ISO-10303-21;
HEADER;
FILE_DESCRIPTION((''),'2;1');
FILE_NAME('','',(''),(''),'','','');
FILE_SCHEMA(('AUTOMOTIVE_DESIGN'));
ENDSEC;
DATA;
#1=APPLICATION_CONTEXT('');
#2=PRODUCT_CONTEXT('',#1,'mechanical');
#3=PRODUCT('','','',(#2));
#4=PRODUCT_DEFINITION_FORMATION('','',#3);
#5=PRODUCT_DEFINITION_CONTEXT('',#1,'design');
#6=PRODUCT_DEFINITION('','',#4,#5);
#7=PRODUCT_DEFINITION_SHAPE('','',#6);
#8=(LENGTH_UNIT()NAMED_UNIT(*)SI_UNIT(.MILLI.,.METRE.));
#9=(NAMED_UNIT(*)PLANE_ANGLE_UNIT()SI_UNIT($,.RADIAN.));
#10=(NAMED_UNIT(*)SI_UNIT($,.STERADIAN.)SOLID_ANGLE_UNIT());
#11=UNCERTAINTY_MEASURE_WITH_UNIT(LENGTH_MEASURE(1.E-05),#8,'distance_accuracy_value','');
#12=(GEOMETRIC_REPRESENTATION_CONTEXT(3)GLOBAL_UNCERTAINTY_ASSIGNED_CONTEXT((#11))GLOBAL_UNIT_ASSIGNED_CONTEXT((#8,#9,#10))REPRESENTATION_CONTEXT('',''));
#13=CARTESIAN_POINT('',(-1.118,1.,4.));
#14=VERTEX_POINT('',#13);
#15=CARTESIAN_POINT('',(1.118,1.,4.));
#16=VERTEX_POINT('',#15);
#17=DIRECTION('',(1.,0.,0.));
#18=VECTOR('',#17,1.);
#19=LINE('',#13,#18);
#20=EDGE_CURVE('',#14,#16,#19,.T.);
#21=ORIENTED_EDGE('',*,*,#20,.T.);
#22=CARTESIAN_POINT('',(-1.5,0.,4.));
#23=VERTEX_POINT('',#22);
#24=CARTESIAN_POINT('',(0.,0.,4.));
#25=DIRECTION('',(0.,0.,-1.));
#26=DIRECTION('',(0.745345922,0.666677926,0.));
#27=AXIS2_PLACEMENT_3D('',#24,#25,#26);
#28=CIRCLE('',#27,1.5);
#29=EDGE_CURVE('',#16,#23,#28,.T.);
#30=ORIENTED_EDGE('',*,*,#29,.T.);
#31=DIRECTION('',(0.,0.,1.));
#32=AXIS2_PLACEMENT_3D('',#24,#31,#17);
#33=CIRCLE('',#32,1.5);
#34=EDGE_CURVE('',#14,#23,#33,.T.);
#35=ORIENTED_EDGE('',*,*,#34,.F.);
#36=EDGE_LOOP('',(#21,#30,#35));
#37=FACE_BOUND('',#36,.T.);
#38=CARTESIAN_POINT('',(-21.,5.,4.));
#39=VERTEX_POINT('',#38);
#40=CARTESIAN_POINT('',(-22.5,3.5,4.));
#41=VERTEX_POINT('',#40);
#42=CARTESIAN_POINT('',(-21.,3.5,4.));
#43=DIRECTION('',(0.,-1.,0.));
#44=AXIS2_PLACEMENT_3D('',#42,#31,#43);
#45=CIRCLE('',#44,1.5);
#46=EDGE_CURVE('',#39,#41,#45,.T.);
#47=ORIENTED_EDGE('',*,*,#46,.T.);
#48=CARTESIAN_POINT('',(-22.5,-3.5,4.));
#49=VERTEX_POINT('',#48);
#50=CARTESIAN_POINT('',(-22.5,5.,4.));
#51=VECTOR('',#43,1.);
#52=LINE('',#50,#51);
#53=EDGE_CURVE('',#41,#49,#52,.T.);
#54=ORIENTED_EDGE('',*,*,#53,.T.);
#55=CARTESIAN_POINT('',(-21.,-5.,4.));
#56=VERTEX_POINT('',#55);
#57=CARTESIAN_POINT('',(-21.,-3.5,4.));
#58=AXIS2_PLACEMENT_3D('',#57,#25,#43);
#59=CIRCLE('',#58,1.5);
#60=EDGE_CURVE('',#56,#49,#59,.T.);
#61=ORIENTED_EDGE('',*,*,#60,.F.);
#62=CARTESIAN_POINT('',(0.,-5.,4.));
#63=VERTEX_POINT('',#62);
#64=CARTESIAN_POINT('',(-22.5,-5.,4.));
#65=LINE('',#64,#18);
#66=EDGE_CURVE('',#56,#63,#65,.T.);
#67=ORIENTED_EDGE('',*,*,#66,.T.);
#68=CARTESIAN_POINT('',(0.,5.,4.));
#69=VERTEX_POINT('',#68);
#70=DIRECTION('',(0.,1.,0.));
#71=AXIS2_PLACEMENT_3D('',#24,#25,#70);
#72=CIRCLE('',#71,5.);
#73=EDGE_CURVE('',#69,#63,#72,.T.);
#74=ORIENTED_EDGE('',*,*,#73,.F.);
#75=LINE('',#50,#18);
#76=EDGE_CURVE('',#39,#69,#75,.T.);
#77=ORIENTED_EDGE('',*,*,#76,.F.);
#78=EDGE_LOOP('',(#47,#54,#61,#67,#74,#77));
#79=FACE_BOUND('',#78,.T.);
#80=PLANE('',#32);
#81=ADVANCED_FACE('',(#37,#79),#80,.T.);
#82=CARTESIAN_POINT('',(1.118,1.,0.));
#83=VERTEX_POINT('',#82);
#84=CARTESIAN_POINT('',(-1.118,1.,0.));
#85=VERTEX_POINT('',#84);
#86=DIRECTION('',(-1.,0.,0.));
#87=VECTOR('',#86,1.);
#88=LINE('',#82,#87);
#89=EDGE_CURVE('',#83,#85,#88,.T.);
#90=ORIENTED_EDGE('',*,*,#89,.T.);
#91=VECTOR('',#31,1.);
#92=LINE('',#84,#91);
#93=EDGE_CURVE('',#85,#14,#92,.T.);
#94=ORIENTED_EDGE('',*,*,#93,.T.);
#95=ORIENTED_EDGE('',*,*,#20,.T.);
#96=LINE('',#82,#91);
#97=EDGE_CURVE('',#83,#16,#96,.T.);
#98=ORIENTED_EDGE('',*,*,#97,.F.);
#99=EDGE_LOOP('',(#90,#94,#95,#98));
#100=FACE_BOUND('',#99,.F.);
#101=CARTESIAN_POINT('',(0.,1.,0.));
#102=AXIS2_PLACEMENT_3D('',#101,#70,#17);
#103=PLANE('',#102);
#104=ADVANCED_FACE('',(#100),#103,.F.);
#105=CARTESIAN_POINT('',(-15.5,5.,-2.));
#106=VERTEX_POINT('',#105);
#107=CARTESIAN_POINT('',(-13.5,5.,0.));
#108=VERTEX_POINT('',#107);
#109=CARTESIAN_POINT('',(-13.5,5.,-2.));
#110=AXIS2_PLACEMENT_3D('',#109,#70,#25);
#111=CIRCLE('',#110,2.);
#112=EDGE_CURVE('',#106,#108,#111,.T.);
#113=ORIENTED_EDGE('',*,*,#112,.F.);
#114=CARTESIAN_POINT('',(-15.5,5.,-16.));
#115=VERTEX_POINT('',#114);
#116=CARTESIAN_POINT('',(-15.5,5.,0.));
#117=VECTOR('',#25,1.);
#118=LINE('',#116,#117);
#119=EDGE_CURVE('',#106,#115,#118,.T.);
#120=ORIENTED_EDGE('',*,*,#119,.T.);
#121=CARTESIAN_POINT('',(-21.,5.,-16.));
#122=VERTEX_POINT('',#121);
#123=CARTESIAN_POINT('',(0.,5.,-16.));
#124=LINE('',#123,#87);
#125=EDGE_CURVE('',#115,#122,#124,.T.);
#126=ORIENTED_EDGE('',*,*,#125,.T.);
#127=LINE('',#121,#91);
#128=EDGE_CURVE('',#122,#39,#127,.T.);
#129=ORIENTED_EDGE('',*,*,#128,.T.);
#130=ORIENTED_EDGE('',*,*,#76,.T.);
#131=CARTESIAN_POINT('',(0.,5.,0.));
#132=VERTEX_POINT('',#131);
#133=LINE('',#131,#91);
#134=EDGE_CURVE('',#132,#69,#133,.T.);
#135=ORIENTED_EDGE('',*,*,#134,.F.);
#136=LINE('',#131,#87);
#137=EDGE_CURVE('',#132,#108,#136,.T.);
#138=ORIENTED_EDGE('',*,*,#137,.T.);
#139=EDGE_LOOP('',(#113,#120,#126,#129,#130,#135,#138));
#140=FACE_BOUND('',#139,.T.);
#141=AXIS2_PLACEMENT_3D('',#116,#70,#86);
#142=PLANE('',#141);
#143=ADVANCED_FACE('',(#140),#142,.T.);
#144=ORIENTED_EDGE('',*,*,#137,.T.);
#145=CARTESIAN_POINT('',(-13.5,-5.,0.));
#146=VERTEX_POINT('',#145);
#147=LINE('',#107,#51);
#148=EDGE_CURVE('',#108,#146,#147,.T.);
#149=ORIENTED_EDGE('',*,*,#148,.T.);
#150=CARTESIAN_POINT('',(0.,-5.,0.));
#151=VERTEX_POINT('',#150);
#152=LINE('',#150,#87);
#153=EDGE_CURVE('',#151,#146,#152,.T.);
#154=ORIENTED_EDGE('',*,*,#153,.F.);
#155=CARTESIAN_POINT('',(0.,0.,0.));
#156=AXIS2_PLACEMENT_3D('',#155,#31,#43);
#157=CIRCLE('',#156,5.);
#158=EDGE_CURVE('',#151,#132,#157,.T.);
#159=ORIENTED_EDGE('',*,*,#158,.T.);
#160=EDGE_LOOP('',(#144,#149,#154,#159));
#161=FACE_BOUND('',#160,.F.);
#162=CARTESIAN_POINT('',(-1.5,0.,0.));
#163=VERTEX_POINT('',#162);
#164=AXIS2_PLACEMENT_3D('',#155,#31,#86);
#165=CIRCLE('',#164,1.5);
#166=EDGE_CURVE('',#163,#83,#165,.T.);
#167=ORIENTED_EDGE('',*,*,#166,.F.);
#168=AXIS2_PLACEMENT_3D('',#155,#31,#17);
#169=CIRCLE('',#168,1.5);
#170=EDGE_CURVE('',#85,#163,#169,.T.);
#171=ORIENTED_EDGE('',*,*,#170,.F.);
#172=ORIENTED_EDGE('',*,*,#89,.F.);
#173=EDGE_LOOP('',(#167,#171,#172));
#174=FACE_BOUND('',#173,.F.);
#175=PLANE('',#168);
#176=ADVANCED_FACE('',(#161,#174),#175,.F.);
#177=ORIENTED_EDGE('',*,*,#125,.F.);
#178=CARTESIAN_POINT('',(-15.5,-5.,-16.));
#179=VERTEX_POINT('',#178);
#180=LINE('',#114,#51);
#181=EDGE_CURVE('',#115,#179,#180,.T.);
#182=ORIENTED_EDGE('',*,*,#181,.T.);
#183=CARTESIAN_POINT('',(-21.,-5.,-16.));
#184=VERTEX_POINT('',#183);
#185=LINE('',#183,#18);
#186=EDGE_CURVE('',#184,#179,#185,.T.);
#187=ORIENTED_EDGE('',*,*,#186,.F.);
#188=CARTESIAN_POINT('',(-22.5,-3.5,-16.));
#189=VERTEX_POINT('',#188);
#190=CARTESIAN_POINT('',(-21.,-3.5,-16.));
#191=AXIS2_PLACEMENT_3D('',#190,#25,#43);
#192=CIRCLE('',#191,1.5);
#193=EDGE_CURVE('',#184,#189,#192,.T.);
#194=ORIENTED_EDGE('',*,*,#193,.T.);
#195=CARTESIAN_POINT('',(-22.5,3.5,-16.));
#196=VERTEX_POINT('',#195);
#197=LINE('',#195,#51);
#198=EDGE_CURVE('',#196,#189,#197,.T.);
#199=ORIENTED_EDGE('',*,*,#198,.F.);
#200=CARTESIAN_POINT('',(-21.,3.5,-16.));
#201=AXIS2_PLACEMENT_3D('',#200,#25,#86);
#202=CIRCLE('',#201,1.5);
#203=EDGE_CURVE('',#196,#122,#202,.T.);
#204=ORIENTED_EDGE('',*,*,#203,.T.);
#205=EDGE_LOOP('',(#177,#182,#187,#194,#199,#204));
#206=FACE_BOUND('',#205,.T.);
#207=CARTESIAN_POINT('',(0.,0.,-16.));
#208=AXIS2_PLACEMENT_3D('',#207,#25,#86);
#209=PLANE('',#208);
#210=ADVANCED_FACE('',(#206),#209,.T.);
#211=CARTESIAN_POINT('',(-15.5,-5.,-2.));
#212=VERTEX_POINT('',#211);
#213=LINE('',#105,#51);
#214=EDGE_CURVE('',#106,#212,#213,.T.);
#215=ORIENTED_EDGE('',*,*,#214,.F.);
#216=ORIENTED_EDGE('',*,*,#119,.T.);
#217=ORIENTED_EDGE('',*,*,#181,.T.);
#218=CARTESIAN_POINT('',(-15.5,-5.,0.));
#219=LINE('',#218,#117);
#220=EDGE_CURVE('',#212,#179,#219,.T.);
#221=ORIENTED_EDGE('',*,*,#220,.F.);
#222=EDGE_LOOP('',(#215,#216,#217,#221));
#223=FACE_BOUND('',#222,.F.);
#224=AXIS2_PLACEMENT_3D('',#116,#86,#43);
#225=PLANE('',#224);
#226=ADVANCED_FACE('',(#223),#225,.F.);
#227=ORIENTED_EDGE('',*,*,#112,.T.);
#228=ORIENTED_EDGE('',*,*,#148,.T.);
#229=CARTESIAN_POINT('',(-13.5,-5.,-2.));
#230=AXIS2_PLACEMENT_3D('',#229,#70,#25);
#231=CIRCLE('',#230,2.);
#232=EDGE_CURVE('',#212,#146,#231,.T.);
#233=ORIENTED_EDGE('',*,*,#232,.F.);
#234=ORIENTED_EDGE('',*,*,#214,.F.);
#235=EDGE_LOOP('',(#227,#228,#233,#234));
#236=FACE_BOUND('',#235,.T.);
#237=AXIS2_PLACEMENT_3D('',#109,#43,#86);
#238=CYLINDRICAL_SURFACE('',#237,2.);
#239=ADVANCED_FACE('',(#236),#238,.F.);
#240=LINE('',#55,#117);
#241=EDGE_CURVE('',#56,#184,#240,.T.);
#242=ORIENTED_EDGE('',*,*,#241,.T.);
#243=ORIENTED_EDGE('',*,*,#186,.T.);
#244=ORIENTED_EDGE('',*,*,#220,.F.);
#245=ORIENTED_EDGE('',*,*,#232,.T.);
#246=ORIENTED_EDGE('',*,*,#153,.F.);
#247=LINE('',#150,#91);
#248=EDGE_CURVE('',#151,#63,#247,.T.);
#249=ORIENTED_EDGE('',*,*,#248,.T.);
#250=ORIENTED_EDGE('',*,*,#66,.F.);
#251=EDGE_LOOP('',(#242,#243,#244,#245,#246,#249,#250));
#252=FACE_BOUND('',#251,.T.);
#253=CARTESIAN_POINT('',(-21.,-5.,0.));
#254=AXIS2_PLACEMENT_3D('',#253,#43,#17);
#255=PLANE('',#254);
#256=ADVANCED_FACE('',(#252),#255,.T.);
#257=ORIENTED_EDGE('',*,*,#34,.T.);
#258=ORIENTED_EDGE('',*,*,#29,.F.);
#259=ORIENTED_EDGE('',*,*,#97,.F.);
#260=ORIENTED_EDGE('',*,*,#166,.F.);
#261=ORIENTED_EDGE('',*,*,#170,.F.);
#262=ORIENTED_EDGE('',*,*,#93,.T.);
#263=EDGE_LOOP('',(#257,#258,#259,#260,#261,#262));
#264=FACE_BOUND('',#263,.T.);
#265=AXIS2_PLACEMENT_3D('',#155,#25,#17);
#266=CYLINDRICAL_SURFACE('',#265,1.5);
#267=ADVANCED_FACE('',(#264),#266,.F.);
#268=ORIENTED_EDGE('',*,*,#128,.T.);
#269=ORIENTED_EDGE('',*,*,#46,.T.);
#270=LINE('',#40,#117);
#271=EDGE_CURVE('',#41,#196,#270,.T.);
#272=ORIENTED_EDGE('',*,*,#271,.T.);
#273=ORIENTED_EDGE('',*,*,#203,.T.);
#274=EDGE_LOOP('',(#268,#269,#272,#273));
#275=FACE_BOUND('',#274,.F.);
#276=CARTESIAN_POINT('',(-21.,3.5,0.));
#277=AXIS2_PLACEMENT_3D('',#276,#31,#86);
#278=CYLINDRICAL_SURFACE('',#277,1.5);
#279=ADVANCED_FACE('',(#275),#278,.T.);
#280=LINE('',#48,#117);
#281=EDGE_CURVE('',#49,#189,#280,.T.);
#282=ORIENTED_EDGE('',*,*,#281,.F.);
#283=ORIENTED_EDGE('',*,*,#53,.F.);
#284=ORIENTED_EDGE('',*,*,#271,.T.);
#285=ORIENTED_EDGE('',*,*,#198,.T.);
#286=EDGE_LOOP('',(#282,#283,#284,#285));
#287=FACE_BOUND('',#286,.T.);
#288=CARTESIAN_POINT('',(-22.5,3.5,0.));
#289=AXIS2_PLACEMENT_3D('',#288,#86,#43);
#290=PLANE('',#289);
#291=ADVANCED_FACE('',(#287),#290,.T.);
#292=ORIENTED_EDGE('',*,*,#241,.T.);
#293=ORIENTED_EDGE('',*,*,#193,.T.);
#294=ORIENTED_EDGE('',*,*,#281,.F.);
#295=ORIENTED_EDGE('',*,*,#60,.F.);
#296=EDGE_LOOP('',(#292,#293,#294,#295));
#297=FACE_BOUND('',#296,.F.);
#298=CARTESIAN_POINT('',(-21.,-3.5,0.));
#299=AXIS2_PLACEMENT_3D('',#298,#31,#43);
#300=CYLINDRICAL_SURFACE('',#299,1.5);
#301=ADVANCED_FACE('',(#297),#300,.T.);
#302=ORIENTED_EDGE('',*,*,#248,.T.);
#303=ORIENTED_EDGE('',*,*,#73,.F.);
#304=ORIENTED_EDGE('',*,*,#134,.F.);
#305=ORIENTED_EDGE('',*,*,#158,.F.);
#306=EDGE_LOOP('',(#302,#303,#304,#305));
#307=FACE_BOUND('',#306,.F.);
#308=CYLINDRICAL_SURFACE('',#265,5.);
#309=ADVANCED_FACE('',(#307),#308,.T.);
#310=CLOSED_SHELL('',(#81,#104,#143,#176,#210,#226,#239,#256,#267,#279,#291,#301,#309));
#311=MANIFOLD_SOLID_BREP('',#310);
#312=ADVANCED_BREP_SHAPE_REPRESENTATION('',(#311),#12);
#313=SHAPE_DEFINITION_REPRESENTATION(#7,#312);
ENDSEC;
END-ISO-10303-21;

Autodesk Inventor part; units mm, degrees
ref_plane "YZ Plane" through (0, 0, 0) normal (1, 0, 0) x (0, 1, 0)
ref_plane "XZ Plane" through (0, 0, 0) normal (0, 1, 0) x (-1, 0, 0)
ref_plane "XY Plane" through (0, 0, 0) normal (0, 0, 1) x (1, 0, 0)
sketch "Sketch1" plane through (0, 0, 0) normal (0, 0, 1) x (1, 0, 0)
  circle A0 centre (0, 0) radius 1.5
  circle A1 centre (0, 0) radius 5
  line L0 (0, 5) -> (-17.5, 5)
  circle A2 centre (-17.5, 0) radius 5
  line L1 (-17.5, -5) -> (0, -5)
  line L2 (-17.5, 0) -> (0, 0)
  line L3 (-17.5, 5) -> (-22.5, 5)
  line L4 (-22.5, 5) -> (-22.5, -5)
  line L5 (-22.5, -5) -> (-17.5, -5)
  line L6 (-1.118, 1) -> (1.118, 1)
  line L7 (0, 1) -> (0, -1.5)
  point P0 (-22.5, 0)
  dimension "d0" = 3
  dimension "d1" = 3.5
  dimension "d3" = 17.5
  dimension "d12" = 2.5
extrude "Extrusion1" add sketch "Sketch1" along normal blind 4 contours A1 | A1 L1 A2 L2 | L2 A2 L0 A1 | L6 A0 | A2 | A2 L4 L3 | L5 L4 A2
fillet "Fillet1" radius 1.5 2 edges at (-22.5, 5, 2) (-22.5, -5, 2)
sketch "Sketch3" plane through (0, 0, 0) normal (0, 0, -1) x (-1, 0, 0)
  arc A0 (21, -5) -> (22.5, -3.5) centre (21, -3.5) ccw projected
  line L0 (21, -5) -> (0, -5) projected
  arc A1 (0, 5) -> (0, -5) centre (0, 0) ccw projected
  line L1 (0, 5) -> (21, 5) projected
  arc A2 (22.5, 3.5) -> (21, 5) centre (21, 3.5) ccw projected
  line L2 (22.5, 3.5) -> (22.5, -3.5) projected
  arc A3 (-1.118, 1) -> (1.118, 1) centre (0, 0) ccw projected
  line L3 (0, 5) -> (21, 5) projected
  arc A4 (22.5, 3.5) -> (21, 5) centre (21, 3.5) ccw projected
  line L4 (15.5, 5) -> (15.5, -5)
  line L5 (21, -5) -> (0, -5) projected
  line L6 (1.118, 1) -> (-1.118, 1) projected
  dimension "d8" = 7
extrude "Extrusion2" add sketch "Sketch3" along normal blind 16 contours L0 L4 L1 A2 L2 A0
fillet "Fillet2" radius 2 1 edges at (-15.5, 0, 0)
properties part number "AcoplePPR"
